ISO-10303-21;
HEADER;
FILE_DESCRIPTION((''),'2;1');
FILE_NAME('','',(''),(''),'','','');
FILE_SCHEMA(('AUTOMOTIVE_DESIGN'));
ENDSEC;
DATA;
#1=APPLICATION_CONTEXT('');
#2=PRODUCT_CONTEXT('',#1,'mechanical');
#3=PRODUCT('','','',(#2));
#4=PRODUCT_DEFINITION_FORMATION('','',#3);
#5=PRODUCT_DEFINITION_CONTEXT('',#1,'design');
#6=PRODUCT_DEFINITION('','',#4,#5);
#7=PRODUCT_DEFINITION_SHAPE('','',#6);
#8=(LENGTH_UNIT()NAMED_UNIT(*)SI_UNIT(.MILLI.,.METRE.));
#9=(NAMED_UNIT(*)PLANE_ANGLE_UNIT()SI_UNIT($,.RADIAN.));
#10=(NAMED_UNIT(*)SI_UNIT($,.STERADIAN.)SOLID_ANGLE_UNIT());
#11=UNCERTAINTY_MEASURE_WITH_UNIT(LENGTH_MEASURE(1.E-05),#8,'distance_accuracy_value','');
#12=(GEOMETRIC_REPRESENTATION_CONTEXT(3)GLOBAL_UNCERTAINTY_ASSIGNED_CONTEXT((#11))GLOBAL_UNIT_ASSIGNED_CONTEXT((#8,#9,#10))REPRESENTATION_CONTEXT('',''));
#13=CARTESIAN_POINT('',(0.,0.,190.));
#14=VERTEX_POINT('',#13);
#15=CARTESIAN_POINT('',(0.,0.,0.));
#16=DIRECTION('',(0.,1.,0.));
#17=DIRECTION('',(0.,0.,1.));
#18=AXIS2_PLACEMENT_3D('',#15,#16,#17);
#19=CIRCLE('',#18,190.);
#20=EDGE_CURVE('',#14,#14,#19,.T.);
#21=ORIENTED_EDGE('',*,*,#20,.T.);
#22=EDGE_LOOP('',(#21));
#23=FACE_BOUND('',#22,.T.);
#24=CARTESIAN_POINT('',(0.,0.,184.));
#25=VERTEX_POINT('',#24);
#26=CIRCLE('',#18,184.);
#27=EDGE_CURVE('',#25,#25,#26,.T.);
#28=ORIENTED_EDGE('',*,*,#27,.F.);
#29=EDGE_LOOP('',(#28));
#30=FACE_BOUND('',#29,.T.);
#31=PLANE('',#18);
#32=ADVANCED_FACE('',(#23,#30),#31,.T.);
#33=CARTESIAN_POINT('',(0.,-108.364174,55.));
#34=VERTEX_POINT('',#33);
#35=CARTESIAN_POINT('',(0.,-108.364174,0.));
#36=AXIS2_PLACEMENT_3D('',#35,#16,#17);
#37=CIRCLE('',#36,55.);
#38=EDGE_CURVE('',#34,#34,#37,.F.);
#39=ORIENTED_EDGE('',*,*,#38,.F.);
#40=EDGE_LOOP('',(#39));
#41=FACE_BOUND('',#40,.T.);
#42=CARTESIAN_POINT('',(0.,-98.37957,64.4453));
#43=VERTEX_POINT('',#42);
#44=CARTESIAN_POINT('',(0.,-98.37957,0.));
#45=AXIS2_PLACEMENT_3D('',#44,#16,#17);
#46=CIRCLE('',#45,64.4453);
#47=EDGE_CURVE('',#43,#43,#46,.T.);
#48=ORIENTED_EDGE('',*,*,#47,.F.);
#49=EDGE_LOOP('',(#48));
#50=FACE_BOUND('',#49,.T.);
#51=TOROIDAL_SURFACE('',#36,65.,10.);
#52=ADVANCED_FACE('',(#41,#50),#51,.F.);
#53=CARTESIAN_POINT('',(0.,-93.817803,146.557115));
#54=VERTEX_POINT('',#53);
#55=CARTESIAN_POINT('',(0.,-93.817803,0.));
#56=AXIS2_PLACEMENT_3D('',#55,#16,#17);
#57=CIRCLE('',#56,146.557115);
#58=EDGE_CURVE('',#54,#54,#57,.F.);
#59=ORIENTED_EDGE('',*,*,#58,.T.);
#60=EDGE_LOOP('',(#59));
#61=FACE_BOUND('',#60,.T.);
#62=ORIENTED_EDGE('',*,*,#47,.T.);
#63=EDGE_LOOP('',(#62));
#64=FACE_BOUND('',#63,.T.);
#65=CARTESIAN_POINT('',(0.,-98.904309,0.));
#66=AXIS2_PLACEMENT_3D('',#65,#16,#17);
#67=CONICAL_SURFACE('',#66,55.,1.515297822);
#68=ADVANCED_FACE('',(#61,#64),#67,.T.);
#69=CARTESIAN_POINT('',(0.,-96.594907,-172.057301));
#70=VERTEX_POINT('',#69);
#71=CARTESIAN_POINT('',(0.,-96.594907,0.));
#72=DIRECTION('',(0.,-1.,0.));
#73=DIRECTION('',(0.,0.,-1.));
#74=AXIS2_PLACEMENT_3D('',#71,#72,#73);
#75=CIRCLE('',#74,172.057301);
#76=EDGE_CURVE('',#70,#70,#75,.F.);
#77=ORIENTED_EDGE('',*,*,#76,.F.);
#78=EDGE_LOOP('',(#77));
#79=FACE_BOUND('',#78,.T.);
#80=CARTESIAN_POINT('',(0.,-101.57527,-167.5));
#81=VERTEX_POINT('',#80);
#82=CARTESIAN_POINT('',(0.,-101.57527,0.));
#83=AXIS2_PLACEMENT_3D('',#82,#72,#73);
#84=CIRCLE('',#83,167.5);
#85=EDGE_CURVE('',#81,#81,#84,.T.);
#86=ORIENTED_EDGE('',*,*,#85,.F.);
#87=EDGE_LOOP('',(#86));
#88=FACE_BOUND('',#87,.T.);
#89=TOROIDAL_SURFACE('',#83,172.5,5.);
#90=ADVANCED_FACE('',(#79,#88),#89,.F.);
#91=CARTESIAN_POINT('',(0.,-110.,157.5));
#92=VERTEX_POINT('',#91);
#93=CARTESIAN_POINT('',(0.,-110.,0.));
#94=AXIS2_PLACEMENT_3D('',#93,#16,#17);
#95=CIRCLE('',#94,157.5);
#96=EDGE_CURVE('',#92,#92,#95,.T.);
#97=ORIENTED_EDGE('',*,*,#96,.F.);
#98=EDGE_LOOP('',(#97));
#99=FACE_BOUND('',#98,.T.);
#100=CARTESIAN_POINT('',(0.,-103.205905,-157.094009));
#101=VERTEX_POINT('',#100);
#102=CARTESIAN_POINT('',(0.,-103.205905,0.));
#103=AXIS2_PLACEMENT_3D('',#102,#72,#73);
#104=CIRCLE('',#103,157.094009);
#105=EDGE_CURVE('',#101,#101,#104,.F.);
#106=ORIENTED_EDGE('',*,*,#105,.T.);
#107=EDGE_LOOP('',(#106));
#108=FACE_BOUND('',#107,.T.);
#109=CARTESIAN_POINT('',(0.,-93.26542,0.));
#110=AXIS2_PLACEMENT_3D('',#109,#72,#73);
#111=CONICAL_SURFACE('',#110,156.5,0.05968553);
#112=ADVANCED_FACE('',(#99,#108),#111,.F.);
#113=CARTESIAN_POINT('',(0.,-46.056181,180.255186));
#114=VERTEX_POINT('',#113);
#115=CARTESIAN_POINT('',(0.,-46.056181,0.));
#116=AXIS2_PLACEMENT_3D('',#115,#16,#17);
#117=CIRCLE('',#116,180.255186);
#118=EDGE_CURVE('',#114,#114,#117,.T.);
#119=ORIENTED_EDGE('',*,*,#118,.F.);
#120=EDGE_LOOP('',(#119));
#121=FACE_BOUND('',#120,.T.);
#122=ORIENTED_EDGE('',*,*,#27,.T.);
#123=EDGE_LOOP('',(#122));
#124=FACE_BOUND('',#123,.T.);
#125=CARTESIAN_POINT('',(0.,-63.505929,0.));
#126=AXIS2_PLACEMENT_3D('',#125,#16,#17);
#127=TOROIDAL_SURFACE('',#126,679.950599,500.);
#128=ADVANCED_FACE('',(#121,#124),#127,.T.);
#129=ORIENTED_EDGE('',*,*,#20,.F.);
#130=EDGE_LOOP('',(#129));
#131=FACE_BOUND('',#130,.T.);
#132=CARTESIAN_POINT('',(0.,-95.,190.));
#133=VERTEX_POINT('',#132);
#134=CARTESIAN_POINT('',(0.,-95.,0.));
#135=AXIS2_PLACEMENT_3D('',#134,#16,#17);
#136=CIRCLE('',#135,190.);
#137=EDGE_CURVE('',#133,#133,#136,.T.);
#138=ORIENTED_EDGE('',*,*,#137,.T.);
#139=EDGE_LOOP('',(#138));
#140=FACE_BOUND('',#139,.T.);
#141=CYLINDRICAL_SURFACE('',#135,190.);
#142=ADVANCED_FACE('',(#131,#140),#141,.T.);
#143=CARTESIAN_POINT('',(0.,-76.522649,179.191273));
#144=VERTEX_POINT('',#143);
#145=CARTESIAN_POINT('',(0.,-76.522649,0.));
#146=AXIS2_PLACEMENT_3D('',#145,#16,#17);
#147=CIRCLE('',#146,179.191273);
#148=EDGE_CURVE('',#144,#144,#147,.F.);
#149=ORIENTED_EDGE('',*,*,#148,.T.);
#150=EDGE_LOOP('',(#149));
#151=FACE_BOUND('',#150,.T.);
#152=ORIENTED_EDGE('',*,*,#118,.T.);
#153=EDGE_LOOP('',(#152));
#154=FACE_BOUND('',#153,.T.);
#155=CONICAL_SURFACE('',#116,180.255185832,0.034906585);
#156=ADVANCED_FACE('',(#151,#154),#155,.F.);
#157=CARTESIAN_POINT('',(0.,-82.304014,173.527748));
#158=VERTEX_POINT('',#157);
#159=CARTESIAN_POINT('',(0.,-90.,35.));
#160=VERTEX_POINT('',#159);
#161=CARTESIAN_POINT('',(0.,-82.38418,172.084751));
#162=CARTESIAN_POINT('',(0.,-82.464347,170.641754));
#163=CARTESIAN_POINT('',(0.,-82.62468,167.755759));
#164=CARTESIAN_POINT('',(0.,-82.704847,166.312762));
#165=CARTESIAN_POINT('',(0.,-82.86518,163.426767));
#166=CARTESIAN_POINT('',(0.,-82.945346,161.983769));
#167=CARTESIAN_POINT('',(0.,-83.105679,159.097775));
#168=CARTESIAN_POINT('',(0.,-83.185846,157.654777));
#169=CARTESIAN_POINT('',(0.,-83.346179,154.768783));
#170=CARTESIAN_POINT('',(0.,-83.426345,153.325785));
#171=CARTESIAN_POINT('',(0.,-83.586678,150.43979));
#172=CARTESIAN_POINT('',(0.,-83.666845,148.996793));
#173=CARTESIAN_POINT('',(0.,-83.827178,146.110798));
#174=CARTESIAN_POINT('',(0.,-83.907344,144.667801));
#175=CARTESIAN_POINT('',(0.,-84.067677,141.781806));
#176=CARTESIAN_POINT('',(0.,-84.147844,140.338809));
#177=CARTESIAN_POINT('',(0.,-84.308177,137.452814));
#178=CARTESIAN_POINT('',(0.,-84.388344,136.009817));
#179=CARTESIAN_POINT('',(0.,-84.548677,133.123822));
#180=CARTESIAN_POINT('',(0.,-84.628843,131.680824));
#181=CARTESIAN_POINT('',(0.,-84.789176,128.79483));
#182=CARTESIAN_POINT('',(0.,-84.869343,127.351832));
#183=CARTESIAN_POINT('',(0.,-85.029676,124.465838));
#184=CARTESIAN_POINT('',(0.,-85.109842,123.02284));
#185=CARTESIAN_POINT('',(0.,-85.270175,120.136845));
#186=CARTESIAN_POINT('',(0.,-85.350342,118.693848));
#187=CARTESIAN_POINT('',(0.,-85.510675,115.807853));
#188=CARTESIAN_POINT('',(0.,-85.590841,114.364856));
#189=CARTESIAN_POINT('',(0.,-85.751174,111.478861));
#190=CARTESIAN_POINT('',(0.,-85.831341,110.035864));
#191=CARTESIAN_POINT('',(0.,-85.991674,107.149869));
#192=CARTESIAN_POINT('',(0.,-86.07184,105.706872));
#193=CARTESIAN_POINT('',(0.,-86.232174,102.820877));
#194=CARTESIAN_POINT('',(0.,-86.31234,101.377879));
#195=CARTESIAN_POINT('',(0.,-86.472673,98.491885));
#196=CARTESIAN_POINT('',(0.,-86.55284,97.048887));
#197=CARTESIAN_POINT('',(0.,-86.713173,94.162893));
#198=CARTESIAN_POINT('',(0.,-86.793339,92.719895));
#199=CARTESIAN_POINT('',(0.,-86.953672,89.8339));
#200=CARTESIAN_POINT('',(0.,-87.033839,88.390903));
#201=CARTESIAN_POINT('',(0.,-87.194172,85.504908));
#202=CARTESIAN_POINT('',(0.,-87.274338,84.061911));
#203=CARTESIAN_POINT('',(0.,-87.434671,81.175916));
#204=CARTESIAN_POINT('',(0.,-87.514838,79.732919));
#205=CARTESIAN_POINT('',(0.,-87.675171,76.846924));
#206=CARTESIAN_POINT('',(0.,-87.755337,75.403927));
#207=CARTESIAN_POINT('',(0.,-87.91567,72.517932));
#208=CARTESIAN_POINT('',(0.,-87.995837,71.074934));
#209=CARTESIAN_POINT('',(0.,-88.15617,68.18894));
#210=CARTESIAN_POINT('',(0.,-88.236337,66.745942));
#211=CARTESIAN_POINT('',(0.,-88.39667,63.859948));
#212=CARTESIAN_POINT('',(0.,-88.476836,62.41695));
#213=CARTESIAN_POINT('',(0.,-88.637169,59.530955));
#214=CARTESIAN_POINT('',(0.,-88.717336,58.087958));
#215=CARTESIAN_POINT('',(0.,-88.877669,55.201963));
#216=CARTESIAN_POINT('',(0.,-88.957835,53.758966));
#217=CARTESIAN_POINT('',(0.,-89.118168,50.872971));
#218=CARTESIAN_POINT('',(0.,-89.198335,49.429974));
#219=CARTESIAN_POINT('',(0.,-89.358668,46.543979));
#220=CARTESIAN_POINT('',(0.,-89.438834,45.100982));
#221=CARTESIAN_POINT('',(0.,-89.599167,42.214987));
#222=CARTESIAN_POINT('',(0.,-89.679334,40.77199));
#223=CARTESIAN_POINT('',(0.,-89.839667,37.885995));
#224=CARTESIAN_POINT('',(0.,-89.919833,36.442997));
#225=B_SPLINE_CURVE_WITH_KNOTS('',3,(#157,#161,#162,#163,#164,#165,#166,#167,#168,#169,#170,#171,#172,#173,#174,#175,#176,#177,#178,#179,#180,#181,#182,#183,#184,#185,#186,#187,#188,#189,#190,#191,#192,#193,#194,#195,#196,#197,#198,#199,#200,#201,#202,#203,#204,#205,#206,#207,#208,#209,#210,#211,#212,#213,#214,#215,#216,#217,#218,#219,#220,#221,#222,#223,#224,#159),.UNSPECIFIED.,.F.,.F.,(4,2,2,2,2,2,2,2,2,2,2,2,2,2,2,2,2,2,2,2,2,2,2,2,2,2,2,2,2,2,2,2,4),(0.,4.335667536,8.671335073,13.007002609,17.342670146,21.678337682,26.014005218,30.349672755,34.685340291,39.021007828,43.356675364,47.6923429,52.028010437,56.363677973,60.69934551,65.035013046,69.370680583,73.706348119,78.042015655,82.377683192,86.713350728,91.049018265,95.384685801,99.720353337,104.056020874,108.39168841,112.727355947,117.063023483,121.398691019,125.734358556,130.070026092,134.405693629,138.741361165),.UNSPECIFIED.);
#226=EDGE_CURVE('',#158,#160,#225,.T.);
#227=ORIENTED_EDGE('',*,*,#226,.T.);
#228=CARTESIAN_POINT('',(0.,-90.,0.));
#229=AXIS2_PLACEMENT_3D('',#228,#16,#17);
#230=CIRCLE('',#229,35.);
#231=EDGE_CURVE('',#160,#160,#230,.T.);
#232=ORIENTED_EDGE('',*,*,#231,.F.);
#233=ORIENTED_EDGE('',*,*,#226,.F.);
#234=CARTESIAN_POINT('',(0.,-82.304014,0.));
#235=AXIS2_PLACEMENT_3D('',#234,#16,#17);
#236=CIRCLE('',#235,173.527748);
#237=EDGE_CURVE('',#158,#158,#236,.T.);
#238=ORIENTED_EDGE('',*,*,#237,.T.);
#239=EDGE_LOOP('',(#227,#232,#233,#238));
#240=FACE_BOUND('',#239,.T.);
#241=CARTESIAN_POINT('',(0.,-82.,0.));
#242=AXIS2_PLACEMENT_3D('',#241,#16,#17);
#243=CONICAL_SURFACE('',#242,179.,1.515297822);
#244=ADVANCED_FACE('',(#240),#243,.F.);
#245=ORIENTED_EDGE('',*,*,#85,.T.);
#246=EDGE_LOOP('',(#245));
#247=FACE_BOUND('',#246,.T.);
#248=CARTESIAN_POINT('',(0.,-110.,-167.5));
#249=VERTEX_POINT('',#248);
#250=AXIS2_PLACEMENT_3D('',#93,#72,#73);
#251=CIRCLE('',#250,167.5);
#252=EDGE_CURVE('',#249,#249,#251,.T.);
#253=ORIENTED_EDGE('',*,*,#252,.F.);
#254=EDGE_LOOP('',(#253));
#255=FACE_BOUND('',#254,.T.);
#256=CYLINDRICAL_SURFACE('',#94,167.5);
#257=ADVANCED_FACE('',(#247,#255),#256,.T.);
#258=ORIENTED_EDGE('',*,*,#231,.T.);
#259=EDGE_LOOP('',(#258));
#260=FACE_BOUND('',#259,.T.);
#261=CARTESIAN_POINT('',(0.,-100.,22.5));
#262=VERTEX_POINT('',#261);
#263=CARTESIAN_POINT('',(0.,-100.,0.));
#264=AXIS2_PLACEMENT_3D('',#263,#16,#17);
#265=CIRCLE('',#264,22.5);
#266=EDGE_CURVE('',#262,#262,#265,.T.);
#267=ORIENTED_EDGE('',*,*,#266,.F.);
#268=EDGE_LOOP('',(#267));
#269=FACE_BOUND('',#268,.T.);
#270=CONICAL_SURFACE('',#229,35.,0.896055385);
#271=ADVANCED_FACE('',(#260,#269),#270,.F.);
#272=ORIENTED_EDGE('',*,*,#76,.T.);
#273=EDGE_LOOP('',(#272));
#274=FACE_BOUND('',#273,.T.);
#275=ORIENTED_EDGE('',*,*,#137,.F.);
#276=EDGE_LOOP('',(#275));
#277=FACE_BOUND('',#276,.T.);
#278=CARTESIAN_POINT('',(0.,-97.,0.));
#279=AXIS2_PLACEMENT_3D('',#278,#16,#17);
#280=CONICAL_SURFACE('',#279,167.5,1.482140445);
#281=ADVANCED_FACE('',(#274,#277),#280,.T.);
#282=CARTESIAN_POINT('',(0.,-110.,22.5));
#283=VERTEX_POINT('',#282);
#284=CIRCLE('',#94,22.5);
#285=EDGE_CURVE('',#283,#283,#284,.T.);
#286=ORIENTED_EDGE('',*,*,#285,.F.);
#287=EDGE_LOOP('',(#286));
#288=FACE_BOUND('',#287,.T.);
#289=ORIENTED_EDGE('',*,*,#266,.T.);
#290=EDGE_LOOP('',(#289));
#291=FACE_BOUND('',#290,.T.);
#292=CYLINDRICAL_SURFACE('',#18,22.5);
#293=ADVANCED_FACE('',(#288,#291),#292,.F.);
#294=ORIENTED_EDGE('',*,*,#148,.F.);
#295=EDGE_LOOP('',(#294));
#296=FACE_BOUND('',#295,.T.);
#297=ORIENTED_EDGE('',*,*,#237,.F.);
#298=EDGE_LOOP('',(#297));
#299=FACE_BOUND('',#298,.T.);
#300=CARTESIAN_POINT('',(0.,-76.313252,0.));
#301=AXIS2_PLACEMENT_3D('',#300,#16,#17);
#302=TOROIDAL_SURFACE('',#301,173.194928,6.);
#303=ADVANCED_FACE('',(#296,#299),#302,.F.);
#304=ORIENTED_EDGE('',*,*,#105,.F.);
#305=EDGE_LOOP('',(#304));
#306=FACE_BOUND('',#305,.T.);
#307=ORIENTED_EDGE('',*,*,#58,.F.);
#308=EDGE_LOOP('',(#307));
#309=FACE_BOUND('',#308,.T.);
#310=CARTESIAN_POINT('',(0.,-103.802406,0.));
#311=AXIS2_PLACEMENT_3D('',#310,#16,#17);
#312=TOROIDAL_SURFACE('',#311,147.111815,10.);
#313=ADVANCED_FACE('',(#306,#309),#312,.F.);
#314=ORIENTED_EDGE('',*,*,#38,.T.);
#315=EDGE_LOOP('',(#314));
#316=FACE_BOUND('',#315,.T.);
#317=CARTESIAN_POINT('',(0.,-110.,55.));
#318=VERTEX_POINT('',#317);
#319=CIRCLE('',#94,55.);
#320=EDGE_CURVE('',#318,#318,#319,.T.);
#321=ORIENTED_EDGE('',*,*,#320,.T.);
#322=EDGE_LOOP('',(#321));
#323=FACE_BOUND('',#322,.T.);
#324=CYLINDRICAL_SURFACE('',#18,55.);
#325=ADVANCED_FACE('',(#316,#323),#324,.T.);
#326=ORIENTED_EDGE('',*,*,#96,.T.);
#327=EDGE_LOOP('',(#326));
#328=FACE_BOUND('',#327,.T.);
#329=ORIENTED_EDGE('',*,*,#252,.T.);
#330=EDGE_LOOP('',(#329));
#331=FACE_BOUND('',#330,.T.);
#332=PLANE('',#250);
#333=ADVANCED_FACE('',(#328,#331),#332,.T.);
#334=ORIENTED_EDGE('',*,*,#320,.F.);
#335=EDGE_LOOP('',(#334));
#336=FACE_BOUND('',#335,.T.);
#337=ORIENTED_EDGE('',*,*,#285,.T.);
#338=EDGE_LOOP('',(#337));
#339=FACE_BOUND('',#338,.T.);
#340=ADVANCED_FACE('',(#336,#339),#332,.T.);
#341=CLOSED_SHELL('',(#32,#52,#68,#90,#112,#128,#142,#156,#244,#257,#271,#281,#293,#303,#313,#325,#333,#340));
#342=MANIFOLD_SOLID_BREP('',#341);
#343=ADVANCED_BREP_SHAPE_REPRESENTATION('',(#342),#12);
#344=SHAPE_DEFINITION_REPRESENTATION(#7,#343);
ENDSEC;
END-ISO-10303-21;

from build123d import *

# Parameters (mm, degrees)
SKETCH_1_R      = 190
EXTRUDE_1_DEPTH = 95
SKETCH_2_R      = 167.5
EXTRUDE_2_DEPTH = 15
SKETCH_4_R      = 167.5
FILLET_1_R      = 5
FILLET_2_R      = 6
FILLET_3_R      = 10


with BuildPart() as part:
    # 草图1 → 凸台-拉伸1 (new body)
    with BuildSketch(Plane(origin=(0, 0, 0), x_dir=(1, 0, 0), z_dir=(0, 1, 0))):
        with Locations(Location((0, 0, 0), (0, 0, 270))):
            Circle(SKETCH_1_R)
    extrude(amount=-EXTRUDE_1_DEPTH)

    # 草图2 → 凸台-拉伸2 (add)
    with BuildSketch(Plane.XZ.offset(95)):
        with Locations(Location((0, 0, 0), (0, 0, 90))):
            Circle(SKETCH_2_R)
    extrude(amount=EXTRUDE_2_DEPTH)

    # 草图4 → section 1 of loft_1
    with BuildSketch(Plane(origin=(0, -97, 0), x_dir=(-1, 0, 0), z_dir=(0, -1, 0)), mode=Mode.PRIVATE) as loft_1_s1:
        Circle(SKETCH_4_R)
    # loft up to a face of the part (loft_1)
    loft([Face(Wire([part.edges().sort_by_distance((-138.50403921, -95, -130.063950126))[0]])), loft_1_s1.sketch])

    # 圆角1
    fillet_1_edges = [part.edges().sort_by_distance(p)[0] for p in [
        (0, -97, -167.5),
    ]]
    fillet(fillet_1_edges, radius=FILLET_1_R)

    # 草图3 → 切除-旋转1 (revolve, cut)
    with BuildSketch(Plane.XY, mode=Mode.PRIVATE) as cut_revolve_1_sk:
        with BuildLine():
            Line((-179, -82), (-35, -90))
            Line((-35, -90), (-22.5, -100))
            Line((-22.5, -100), (-22.5, -110))
            Line((-22.5, -110), (0, -110))
            Line((0, -110), (0, 0))
            Line((0, 0), (-184, 0))
            ThreePointArc((-184, 0), (-181.595265599, -22.984806931), (-180.255185832, -46.056180609))
            Line((-180.255185832, -46.056180609), (-179, -82))
        make_face()
        Polygon((-157.5, -110), (-156.5, -93.26542021), (-55, -98.904309099), (-55, -110), align=None)
    revolve(cut_revolve_1_sk.sketch.rotate(Axis((0, 0, 0), (0, -1, 0)), 270), axis=Axis((0, 0, 0), (0, -1, 0)), mode=Mode.SUBTRACT)

    # 圆角2
    fillet_2_edges = [part.edges().sort_by_distance(p)[0] for p in [
        (0, -82, -179),
    ]]
    fillet(fillet_2_edges, radius=FILLET_2_R)

    # 圆角3
    fillet_3_edges = [part.edges().sort_by_distance(p)[0] for p in [
        (0, -98.904309099, -55),
        (0, -93.26542021, -156.5),
    ]]
    fillet(fillet_3_edges, radius=FILLET_3_R)


solid = part.part
